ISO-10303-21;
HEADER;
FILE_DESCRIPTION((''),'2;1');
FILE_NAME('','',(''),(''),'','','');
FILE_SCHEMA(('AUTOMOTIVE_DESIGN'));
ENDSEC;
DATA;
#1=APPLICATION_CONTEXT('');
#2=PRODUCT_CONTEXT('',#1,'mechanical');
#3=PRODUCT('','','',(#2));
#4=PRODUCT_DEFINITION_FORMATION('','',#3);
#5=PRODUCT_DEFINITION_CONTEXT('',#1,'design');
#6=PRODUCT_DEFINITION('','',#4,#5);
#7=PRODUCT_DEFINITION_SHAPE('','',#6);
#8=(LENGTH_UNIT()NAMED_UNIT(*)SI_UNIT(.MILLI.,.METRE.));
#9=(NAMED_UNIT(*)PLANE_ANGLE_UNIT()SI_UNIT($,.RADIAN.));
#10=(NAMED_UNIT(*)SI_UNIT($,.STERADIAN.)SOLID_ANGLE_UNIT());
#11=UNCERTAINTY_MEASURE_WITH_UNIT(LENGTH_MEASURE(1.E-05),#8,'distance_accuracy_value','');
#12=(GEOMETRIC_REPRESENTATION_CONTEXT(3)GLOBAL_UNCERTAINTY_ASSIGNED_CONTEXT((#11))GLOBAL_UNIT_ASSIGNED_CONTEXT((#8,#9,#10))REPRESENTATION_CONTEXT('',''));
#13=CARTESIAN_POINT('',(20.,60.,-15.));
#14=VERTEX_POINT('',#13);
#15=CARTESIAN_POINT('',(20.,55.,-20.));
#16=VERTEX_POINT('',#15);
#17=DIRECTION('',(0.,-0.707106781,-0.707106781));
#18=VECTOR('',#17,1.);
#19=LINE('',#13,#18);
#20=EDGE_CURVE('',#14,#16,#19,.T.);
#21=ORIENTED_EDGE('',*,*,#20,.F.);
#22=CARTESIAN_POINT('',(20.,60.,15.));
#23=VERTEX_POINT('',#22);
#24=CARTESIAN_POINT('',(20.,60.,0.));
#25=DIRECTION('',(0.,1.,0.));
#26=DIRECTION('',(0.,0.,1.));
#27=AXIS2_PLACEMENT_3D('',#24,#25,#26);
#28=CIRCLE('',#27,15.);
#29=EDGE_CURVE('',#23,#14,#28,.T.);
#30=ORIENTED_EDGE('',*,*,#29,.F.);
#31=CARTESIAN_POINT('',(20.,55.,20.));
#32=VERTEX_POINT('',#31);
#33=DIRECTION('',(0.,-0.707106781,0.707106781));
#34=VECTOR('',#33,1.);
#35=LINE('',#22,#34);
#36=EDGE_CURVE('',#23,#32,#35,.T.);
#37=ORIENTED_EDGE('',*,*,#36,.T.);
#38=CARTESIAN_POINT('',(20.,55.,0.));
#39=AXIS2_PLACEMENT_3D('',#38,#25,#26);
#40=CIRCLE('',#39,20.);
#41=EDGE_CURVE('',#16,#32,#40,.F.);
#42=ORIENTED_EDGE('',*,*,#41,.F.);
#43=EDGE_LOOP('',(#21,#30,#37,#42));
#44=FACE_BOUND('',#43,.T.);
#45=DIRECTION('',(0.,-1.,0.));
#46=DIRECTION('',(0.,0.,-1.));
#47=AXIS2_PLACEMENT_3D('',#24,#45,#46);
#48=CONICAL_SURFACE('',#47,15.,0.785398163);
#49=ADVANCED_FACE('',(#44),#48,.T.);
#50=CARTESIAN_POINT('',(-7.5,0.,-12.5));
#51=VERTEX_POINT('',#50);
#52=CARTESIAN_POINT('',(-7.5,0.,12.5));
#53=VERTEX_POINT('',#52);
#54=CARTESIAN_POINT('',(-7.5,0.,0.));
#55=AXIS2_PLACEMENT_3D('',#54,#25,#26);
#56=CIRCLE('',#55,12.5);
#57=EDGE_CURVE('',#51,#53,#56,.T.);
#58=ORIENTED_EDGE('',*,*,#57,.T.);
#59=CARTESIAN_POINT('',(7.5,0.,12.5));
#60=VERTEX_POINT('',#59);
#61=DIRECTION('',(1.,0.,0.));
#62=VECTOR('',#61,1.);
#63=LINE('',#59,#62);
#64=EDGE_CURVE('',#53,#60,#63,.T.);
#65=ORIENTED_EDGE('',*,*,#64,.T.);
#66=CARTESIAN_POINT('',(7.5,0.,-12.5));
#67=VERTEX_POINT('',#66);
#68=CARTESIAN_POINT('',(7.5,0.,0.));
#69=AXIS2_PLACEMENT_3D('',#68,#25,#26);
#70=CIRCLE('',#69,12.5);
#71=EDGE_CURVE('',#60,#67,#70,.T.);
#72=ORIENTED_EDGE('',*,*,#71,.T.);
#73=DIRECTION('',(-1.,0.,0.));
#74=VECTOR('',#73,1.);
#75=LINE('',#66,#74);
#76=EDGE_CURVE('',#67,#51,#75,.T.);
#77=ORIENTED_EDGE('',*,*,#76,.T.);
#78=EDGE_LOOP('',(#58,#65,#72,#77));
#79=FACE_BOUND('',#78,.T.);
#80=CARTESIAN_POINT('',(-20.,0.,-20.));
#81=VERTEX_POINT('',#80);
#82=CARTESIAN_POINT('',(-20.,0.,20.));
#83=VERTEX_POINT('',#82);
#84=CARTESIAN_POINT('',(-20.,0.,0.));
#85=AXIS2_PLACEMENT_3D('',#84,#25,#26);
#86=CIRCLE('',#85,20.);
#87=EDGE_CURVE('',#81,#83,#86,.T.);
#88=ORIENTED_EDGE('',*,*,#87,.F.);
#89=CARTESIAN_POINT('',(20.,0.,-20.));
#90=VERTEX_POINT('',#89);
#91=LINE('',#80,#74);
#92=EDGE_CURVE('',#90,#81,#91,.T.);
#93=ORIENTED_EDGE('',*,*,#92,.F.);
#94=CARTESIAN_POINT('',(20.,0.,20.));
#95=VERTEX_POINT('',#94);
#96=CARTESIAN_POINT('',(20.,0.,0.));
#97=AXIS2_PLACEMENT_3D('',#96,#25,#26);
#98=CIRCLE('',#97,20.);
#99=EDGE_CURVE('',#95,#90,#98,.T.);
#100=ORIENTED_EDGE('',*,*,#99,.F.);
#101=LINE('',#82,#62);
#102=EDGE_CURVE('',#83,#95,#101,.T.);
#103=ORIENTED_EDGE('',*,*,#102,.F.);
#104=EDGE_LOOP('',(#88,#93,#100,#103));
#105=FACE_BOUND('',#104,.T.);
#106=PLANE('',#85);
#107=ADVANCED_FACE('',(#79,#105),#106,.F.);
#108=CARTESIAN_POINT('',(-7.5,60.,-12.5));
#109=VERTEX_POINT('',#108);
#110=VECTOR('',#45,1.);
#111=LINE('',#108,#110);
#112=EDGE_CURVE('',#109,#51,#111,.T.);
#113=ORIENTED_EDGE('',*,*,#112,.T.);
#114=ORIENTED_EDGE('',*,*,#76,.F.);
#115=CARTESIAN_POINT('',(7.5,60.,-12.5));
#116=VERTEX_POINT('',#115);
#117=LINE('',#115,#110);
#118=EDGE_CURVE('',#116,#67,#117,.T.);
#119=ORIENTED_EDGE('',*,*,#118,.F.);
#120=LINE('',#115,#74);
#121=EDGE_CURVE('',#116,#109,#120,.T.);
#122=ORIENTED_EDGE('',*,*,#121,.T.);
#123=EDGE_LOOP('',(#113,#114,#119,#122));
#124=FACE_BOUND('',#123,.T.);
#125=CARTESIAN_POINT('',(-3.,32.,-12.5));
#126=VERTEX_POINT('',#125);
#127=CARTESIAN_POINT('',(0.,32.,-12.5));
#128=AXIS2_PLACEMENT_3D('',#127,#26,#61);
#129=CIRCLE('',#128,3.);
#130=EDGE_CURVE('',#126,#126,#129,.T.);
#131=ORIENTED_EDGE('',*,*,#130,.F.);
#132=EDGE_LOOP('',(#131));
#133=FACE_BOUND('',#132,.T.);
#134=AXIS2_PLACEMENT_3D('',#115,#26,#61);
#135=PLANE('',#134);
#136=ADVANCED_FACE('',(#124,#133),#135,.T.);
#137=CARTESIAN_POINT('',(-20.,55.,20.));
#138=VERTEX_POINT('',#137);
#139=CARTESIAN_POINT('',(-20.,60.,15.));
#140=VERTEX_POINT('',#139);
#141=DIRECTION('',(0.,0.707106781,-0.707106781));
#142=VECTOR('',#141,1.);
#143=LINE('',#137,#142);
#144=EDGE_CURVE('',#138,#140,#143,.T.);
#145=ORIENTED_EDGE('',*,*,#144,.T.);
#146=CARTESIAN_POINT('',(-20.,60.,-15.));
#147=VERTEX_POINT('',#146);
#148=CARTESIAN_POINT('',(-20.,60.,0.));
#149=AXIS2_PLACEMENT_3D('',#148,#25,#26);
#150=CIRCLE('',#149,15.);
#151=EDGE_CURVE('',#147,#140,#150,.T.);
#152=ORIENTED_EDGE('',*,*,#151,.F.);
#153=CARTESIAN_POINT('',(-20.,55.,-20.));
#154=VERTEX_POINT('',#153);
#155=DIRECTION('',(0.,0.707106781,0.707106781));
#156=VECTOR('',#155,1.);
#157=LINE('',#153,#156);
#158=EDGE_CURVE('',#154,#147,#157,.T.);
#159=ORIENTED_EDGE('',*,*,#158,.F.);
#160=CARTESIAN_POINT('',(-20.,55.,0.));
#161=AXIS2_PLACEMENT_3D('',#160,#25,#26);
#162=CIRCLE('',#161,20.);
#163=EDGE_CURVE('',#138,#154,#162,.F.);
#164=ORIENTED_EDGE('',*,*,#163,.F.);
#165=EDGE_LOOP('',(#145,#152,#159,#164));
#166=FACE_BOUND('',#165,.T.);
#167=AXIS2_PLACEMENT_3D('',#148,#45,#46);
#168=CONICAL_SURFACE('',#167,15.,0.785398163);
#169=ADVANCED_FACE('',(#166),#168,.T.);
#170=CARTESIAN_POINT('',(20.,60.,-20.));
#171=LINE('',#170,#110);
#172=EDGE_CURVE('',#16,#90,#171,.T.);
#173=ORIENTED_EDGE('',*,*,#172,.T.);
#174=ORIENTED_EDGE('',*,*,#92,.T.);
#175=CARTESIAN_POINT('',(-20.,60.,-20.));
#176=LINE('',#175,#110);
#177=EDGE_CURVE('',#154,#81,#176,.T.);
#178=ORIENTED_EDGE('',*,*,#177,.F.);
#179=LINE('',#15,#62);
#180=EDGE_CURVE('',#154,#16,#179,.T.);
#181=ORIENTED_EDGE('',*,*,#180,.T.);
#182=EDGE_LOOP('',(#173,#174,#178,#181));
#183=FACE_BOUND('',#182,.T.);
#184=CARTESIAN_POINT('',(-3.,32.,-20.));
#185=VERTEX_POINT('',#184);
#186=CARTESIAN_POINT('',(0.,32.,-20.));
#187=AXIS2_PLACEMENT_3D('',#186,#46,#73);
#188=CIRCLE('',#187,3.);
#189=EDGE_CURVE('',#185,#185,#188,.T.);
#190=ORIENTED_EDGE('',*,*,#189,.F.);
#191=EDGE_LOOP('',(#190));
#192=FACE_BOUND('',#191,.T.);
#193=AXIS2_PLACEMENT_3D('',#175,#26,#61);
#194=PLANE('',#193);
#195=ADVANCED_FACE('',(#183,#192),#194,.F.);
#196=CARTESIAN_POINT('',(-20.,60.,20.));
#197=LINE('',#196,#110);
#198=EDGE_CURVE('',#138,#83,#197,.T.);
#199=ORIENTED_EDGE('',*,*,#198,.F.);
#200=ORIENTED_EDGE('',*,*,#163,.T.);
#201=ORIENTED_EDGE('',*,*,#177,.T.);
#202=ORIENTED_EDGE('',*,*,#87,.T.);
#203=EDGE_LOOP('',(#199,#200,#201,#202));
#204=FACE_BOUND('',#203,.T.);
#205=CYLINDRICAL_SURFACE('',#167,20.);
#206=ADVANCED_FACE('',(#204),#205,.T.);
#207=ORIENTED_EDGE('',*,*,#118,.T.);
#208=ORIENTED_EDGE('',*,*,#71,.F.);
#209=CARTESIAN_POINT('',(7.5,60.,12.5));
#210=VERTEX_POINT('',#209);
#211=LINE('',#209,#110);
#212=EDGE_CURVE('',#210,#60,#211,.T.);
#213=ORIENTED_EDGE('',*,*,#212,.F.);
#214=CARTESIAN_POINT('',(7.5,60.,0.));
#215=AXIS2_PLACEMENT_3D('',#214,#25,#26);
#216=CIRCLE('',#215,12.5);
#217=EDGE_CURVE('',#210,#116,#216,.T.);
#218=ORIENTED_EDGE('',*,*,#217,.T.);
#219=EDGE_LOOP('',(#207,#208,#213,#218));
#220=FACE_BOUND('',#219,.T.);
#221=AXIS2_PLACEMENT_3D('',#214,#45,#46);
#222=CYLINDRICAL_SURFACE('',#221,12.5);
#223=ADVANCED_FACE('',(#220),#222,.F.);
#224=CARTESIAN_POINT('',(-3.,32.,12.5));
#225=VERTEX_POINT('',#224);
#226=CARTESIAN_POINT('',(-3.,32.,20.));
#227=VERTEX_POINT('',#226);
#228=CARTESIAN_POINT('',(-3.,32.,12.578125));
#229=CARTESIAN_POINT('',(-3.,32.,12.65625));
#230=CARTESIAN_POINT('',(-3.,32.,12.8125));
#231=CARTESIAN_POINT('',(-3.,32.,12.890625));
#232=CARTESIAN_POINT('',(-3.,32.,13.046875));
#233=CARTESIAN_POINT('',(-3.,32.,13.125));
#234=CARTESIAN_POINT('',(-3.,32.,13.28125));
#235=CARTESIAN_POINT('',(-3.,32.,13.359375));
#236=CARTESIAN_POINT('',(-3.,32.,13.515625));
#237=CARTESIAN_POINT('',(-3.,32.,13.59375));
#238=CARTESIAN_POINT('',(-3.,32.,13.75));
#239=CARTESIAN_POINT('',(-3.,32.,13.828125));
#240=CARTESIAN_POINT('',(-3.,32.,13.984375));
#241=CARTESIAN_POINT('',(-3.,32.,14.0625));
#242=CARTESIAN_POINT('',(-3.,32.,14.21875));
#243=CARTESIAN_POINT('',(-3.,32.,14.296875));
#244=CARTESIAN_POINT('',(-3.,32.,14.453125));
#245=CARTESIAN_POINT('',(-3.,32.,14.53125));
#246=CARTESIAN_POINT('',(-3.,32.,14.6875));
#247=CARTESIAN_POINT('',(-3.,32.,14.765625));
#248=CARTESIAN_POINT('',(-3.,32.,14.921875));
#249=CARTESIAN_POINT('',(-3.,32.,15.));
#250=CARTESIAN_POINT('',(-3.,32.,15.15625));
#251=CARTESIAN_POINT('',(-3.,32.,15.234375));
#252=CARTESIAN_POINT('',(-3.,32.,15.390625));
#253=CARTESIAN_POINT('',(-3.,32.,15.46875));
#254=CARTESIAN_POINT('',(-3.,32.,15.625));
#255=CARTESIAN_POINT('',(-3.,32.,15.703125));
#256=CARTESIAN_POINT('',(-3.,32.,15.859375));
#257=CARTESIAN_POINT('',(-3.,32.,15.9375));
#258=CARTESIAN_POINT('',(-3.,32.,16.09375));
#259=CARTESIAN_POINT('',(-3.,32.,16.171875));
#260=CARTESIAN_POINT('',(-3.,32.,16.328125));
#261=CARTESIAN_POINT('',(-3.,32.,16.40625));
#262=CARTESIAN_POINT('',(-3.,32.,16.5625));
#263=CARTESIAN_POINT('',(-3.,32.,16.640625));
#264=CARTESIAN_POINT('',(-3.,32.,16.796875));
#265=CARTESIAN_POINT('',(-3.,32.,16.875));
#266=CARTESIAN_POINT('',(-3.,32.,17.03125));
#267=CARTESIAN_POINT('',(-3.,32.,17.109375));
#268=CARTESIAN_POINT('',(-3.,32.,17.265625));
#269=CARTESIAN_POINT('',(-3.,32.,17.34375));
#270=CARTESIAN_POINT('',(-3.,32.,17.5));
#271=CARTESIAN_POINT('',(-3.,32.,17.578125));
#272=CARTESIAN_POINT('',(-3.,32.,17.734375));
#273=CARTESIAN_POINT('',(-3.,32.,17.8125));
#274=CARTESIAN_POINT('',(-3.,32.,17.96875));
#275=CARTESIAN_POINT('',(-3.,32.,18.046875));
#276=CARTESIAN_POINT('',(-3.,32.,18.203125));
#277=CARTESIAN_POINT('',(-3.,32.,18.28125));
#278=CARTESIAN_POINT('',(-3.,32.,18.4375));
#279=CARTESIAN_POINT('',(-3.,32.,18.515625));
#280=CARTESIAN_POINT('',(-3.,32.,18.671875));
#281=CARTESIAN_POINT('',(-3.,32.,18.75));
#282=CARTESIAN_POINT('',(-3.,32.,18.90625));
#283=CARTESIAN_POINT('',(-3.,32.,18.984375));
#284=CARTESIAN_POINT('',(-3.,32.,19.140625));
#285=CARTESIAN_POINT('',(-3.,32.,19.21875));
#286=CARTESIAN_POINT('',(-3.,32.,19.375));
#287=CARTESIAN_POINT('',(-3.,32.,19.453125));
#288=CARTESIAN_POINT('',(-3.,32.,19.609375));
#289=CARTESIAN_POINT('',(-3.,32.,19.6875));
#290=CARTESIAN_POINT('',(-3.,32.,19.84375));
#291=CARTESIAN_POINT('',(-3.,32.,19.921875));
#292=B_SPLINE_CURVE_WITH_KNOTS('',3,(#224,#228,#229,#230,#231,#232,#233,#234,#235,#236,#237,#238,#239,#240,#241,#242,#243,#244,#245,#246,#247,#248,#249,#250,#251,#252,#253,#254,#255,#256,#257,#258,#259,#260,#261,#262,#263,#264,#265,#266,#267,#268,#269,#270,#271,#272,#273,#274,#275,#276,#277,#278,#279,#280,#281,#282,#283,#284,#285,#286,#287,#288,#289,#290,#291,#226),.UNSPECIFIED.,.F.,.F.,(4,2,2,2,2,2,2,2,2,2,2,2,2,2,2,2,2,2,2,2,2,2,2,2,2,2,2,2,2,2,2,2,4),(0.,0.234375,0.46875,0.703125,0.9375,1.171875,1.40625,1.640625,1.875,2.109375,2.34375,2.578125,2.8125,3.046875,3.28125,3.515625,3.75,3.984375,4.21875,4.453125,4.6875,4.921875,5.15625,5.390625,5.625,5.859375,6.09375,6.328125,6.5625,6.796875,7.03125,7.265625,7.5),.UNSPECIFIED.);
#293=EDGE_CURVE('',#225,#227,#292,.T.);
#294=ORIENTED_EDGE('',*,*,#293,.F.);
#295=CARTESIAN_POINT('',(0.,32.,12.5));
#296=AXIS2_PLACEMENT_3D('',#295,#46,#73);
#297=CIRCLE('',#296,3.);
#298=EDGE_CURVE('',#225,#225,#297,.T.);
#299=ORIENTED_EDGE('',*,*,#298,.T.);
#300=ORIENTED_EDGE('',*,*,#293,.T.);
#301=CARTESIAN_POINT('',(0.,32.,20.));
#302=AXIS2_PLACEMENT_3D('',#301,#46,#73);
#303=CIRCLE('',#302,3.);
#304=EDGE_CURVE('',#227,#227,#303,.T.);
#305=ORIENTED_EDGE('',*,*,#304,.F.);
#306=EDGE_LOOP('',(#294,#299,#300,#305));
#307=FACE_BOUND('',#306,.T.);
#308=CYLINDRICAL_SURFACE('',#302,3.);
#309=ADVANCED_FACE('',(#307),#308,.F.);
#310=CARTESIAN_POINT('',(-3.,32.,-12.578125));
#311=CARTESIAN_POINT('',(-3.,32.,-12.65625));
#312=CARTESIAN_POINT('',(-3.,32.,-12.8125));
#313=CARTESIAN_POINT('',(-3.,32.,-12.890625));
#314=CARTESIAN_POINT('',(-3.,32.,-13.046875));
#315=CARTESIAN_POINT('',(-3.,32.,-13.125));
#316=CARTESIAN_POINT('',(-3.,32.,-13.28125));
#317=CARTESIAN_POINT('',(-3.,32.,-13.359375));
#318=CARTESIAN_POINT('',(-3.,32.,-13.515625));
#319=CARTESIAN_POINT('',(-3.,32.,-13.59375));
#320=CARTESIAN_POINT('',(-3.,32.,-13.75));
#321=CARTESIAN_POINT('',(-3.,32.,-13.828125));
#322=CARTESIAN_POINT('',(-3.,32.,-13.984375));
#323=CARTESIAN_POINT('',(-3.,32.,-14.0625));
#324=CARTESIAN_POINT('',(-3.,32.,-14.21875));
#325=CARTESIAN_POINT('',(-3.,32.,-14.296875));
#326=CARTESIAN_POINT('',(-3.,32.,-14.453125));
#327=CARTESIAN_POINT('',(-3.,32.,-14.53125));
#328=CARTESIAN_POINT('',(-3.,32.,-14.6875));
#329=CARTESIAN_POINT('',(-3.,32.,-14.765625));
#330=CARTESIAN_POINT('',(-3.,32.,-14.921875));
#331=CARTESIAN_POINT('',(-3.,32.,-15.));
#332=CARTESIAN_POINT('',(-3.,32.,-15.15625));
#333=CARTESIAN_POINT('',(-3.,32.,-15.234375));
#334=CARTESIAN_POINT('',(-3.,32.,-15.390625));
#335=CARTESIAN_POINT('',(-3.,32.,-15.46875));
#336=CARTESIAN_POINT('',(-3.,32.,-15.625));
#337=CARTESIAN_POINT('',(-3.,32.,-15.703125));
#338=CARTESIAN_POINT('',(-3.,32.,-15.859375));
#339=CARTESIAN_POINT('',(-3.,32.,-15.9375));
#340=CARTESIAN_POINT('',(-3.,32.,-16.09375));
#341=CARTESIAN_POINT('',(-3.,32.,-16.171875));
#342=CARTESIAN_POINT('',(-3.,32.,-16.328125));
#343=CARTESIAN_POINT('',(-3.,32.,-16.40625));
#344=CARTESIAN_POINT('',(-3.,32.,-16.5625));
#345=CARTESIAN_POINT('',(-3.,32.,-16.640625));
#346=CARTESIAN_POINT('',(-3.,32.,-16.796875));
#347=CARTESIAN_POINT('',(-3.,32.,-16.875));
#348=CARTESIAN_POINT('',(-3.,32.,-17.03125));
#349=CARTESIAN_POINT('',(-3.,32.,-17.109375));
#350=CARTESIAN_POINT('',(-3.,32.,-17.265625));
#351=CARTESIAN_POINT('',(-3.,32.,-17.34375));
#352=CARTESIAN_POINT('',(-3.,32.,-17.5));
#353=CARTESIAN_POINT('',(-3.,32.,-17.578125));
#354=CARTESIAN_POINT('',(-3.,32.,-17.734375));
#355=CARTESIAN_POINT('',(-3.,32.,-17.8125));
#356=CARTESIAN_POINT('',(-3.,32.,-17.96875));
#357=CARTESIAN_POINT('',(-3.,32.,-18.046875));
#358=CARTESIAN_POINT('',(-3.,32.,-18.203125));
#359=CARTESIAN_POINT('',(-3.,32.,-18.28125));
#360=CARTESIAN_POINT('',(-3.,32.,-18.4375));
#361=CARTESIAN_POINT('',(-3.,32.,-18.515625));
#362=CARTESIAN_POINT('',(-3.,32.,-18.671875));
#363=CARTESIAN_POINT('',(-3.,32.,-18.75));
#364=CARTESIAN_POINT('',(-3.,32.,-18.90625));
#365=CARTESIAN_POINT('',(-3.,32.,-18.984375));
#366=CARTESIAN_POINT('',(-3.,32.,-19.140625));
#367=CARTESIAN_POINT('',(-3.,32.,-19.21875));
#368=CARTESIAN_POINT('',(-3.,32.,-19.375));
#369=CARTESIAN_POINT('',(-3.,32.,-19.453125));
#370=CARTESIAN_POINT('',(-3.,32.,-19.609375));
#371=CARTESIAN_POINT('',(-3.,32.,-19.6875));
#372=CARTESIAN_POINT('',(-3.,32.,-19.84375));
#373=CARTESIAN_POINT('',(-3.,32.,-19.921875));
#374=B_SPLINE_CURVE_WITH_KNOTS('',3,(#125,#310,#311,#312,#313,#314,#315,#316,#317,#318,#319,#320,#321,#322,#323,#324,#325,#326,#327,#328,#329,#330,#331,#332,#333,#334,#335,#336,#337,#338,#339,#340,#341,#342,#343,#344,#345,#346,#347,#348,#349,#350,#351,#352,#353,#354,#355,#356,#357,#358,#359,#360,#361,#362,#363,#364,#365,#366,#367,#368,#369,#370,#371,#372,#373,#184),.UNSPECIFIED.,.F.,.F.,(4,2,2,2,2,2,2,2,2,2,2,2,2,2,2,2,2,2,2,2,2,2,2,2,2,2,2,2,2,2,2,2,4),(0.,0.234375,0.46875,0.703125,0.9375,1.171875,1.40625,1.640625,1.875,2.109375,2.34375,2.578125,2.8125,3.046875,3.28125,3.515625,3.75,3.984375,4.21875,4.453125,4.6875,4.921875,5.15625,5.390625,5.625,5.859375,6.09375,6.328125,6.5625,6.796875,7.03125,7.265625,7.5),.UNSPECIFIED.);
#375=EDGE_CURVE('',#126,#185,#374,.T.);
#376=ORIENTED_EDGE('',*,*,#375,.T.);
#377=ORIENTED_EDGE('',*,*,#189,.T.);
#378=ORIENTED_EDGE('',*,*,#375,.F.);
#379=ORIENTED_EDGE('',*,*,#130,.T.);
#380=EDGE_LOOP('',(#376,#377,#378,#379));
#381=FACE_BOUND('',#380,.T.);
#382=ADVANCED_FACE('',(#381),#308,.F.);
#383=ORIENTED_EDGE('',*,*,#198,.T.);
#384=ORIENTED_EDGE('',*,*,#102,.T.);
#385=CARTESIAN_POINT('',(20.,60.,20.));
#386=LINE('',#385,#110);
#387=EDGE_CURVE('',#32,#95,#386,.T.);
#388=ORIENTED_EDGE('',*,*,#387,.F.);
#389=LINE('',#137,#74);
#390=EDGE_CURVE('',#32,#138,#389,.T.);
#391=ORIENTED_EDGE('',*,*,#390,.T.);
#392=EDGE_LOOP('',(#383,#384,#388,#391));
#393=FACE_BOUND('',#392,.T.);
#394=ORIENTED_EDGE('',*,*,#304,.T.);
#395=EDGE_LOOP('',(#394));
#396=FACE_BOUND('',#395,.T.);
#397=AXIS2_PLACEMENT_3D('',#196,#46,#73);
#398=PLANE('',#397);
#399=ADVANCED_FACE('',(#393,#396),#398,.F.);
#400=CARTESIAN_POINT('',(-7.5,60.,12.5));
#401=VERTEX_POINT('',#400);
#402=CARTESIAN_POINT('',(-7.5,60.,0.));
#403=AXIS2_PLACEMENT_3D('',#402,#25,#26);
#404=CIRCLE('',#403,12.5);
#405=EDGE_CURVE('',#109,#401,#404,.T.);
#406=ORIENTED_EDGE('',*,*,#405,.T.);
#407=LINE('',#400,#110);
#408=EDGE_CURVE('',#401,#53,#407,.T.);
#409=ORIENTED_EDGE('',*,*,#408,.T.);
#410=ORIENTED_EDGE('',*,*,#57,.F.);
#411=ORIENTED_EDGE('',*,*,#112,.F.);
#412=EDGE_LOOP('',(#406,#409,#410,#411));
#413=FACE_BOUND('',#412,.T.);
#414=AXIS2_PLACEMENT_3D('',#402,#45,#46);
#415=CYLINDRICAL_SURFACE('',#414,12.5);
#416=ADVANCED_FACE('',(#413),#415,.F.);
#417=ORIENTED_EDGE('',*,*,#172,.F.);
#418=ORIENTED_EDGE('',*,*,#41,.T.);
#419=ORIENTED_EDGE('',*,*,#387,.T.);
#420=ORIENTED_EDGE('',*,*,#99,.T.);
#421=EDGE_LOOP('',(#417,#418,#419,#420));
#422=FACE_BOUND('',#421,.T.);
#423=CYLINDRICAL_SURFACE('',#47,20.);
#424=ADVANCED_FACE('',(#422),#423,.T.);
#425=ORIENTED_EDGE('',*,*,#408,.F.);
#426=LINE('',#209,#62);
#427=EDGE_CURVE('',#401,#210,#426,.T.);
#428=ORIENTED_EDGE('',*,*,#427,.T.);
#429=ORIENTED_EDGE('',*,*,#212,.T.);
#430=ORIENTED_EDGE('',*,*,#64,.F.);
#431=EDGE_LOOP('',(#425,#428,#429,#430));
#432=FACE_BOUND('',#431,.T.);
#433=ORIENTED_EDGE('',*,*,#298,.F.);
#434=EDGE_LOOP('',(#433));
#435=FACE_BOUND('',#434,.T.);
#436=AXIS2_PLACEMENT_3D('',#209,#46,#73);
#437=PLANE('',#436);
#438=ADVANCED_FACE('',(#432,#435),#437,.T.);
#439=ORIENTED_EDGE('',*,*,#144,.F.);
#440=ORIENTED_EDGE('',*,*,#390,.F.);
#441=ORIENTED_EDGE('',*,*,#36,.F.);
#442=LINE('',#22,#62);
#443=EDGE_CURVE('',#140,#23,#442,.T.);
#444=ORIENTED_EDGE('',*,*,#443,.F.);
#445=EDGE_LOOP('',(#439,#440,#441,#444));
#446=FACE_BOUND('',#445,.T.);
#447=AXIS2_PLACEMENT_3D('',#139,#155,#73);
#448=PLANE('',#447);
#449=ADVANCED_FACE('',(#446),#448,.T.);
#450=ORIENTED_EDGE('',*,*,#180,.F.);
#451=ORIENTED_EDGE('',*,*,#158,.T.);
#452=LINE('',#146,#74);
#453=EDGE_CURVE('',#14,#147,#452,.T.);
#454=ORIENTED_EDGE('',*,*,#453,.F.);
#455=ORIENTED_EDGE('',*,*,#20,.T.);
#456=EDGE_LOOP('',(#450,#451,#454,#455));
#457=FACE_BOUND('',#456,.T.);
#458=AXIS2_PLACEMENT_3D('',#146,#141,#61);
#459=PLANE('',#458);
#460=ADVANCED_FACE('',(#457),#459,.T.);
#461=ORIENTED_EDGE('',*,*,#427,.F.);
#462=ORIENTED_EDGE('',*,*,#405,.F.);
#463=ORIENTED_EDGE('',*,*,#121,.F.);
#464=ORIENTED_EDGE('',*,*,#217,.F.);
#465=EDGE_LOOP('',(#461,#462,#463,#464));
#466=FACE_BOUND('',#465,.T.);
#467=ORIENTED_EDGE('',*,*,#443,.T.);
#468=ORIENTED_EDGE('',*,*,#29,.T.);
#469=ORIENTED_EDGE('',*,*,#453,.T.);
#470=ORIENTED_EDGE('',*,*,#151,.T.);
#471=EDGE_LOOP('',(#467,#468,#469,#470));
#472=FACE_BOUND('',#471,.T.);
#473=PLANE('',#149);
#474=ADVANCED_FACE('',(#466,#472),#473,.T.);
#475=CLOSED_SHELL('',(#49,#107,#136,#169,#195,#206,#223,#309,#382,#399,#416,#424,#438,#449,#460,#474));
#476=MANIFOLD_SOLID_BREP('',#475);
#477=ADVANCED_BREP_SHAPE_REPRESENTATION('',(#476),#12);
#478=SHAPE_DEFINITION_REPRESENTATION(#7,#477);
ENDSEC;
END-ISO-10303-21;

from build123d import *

# Parameters (mm, degrees)
BOSS_EXTRUDE1_DEPTH = 60
CHAMFER1_SIZE       = 5
SKETCH3_R           = 3
CUT_EXTRUDE1_DEPTH  = 83.462112512


with BuildPart() as part:
    # Sketch2 → Boss-Extrude1 (new body)
    with BuildSketch(Plane(origin=(0, 0, 0), x_dir=(1, 0, 0), z_dir=(0, 1, 0))):
        with BuildLine():
            Line((-20, 20), (20, 20))
            ThreePointArc((20, 20), (40, 0), (20, -20))
            Line((20, -20), (-20, -20))
            ThreePointArc((-20, -20), (-40, 0), (-20, 20))
        make_face()
        with BuildLine():
            Line((7.5, 12.5), (-7.5, 12.5))
            ThreePointArc((-7.5, 12.5), (-20, 0), (-7.5, -12.5))
            Line((-7.5, -12.5), (7.5, -12.5))
            ThreePointArc((7.5, -12.5), (20, 0), (7.5, 12.5))
        make_face(mode=Mode.SUBTRACT)
    extrude(amount=BOSS_EXTRUDE1_DEPTH)

    # Chamfer1
    chamfer1_edges = [part.edges().sort_by_distance(p)[0] for p in [
        (40, 60, 0),
        (0, 60, -20),
        (-40, 60, 0),
        (0, 60, 20),
    ]]
    chamfer(chamfer1_edges, length=CHAMFER1_SIZE)

    # Sketch3 → Cut-Extrude1 (cut, through all)
    with BuildSketch(Plane(origin=(0, 0, -20), x_dir=(-1, 0, 0), z_dir=(0, 0, -1))):
        with Locations((0, 32)):
            Circle(SKETCH3_R)
    extrude(amount=-CUT_EXTRUDE1_DEPTH, mode=Mode.SUBTRACT)


solid = part.part
